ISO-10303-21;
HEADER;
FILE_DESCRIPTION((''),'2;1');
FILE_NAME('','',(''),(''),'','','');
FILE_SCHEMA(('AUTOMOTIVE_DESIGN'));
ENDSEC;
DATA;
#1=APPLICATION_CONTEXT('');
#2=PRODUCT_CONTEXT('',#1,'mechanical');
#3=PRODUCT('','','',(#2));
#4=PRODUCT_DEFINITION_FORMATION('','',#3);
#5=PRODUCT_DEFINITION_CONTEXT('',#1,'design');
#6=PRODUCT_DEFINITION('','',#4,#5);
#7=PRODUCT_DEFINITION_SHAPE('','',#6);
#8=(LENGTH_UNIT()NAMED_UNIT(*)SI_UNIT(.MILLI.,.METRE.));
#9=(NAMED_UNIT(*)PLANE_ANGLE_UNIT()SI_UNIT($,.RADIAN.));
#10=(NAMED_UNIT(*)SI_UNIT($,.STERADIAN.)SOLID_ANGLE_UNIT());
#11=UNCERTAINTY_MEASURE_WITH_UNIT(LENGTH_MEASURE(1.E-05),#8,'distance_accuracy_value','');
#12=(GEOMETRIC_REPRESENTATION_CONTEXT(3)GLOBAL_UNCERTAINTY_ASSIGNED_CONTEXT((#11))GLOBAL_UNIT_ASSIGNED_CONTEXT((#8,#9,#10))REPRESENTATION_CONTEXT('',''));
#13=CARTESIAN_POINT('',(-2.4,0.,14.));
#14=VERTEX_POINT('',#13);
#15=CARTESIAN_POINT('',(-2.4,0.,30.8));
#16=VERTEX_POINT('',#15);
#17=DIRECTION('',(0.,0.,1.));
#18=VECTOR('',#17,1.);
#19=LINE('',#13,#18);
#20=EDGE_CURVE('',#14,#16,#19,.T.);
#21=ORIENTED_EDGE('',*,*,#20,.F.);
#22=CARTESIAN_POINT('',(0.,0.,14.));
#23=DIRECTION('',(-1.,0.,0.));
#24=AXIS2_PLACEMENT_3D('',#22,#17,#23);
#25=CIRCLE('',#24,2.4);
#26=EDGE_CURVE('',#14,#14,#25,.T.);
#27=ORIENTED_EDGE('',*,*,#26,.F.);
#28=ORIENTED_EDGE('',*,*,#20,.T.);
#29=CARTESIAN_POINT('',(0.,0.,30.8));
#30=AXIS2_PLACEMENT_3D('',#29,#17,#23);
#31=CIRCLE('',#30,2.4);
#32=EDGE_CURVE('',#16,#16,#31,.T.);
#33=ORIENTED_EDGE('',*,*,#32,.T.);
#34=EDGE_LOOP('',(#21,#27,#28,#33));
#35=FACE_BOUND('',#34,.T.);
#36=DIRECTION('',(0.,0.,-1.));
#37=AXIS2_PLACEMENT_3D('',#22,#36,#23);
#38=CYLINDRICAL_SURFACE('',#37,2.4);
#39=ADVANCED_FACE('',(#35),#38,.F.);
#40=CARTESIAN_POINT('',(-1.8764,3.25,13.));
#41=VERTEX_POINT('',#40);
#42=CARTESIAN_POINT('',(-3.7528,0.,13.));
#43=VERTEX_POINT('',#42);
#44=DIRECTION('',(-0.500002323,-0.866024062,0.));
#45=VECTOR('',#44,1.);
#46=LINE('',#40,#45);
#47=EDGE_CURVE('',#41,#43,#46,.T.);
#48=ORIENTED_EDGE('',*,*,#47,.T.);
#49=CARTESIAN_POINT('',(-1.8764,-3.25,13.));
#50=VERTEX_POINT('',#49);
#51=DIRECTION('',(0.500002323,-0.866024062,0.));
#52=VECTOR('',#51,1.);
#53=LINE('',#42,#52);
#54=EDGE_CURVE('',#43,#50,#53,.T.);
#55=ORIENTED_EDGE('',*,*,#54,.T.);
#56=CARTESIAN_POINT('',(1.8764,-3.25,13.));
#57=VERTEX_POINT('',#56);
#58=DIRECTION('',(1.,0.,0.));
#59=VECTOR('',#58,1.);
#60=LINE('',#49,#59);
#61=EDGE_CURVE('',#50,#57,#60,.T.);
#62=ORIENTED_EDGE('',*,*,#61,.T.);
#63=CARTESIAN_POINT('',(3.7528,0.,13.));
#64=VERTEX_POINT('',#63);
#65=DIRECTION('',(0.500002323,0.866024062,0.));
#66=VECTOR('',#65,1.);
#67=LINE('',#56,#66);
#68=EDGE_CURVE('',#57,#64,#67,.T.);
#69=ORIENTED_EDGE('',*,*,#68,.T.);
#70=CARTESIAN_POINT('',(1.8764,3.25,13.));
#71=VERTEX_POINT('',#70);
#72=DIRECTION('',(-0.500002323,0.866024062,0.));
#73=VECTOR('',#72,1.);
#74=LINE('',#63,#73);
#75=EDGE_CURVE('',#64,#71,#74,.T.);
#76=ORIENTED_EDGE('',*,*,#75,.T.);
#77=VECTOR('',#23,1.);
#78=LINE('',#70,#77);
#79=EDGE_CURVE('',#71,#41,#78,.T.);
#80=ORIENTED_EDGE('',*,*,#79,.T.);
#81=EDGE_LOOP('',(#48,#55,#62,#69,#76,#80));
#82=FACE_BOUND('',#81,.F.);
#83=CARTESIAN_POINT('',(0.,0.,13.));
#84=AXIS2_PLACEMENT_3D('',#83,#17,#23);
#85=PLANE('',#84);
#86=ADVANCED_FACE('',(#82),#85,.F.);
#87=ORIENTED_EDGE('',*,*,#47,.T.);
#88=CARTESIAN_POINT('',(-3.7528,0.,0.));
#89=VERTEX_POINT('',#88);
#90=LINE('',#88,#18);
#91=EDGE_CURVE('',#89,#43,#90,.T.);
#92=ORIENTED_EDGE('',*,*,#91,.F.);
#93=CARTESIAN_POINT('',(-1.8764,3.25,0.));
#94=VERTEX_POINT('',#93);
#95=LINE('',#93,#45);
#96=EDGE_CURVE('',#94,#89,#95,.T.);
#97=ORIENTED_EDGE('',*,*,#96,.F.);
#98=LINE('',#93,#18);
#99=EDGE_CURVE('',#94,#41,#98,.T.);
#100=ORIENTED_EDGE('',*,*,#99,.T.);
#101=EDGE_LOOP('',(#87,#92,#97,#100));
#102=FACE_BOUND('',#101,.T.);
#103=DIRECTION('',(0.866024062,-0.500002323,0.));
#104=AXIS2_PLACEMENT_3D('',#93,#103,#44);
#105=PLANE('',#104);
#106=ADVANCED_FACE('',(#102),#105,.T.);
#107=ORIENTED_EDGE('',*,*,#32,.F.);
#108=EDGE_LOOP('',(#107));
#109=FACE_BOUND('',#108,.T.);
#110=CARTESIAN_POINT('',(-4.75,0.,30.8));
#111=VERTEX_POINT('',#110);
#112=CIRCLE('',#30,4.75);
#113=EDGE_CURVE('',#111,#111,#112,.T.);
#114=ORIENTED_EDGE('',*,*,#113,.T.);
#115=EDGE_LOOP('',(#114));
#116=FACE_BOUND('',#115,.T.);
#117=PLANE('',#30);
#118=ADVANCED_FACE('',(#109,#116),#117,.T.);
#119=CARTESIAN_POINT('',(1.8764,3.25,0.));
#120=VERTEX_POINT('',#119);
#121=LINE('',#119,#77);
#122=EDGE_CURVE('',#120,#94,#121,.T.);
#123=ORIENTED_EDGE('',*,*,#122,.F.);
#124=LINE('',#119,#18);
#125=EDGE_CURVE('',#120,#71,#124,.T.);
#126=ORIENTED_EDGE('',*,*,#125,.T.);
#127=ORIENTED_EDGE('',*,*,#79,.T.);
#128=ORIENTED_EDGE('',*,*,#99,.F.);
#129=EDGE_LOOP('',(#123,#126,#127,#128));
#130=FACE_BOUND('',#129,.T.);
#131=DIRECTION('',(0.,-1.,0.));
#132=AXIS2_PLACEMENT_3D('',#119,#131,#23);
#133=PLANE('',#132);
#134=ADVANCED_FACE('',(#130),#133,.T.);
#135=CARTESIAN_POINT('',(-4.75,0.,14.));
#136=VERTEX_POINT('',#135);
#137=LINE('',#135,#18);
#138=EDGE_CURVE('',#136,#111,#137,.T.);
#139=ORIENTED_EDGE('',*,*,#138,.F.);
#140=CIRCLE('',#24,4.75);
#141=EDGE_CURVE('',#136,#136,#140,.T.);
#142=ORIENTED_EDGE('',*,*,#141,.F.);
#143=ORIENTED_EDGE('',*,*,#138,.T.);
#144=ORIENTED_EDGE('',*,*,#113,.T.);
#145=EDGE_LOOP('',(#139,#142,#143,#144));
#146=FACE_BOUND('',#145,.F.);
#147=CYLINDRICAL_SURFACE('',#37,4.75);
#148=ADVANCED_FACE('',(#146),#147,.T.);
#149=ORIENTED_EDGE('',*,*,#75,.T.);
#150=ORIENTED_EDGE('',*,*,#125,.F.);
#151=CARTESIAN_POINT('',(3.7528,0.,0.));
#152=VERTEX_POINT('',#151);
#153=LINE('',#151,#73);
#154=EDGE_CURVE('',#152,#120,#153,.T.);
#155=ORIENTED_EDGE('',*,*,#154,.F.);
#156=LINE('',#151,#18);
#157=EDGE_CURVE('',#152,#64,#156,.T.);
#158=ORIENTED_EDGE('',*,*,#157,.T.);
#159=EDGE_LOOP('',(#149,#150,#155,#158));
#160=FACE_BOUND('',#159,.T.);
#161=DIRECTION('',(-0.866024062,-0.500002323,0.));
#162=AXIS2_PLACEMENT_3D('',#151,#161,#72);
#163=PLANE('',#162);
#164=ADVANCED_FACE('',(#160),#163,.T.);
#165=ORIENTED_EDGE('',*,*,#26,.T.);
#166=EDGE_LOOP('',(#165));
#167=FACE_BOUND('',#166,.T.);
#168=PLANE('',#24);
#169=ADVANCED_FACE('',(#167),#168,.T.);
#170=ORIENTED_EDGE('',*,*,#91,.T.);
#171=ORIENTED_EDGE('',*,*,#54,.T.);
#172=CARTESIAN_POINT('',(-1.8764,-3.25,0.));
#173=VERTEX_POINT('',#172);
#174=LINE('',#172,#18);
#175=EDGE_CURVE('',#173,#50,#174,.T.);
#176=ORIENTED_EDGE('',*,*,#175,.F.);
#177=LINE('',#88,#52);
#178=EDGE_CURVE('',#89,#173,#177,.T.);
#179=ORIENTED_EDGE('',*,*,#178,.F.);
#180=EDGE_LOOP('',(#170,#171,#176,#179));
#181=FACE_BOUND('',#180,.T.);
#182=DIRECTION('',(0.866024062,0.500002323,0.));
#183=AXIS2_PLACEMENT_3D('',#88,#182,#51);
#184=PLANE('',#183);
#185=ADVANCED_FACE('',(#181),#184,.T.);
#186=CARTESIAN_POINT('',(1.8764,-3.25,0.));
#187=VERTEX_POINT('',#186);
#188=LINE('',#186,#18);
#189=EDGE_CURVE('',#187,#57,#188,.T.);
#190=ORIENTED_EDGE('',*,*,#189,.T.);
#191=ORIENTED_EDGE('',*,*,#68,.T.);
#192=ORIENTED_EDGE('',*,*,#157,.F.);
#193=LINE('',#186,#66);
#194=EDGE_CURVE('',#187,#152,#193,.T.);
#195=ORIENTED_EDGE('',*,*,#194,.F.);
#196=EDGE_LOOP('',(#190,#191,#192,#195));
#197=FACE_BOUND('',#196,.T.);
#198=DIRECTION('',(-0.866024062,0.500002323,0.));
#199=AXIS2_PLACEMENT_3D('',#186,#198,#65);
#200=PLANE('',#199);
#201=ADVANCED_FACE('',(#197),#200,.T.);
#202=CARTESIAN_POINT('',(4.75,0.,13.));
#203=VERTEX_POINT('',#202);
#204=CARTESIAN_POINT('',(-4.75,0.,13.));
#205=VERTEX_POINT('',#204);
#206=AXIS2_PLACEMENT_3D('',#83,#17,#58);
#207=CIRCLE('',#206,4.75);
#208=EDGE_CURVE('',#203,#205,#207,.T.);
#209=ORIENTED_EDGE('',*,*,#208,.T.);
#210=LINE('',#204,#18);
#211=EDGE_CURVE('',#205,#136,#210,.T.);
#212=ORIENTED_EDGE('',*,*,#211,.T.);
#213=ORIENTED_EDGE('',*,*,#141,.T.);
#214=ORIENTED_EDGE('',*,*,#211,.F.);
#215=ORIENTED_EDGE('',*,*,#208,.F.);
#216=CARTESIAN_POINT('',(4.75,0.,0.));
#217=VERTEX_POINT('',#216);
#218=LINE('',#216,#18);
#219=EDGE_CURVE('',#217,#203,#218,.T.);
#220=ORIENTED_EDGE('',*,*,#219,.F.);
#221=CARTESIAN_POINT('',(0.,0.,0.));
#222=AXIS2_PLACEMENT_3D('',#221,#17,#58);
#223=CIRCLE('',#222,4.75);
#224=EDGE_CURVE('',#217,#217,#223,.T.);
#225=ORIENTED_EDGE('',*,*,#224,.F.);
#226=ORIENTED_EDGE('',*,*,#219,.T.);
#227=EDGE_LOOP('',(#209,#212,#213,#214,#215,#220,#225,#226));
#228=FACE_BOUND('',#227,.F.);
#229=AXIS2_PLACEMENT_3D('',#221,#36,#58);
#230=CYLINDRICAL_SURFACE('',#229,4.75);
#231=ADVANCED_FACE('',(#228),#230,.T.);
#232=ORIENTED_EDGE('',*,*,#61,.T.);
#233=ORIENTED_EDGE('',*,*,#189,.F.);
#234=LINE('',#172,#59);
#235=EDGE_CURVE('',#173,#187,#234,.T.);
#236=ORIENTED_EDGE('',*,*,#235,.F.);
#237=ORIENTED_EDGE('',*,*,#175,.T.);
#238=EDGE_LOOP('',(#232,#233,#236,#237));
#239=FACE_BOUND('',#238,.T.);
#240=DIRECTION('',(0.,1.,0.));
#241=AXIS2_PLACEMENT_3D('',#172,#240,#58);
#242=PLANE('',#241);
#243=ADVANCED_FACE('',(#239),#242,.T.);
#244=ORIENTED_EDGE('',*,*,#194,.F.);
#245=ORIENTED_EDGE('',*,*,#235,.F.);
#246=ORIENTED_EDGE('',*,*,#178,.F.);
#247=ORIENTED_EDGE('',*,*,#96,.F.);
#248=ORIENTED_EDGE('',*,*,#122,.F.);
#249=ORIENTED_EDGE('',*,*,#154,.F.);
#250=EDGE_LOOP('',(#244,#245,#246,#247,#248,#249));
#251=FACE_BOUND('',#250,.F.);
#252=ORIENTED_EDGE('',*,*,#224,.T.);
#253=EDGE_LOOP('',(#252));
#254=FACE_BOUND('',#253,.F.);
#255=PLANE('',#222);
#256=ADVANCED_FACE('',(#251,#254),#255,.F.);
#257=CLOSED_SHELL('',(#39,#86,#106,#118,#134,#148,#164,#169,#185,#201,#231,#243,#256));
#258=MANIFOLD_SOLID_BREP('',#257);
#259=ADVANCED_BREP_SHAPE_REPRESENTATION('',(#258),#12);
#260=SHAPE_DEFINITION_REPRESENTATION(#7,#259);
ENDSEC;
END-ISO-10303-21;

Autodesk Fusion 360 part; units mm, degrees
sketch "Sketch1" plane through (0, 0, 0) normal (0, 0, 1) x (1, 0, 0)
  line L0 (1.8764, -3.25) -> (3.7528, 0)
  line L1 (3.7528, 0) -> (1.8764, 3.25)
  line L2 (1.8764, 3.25) -> (-1.8764, 3.25)
  line L3 (-1.8764, 3.25) -> (-3.7528, 0)
  line L4 (-3.7528, 0) -> (-1.8764, -3.25)
  line L5 (-1.8764, -3.25) -> (1.8764, -3.25)
  circle A0 centre (0, 0) radius 4.75
  dimension "d1" = 3.25
  dimension "d2" = 9.5
extrude "Extrude1" add sketch "Sketch1" along normal blind 13
sketch "Sketch2" plane through (0, 0, 13) normal (0, 0, 1) x (-1, 0, 0)
  line L0 (-1.8764, 3.25) -> (1.8764, 3.25)
  line L1 (1.8764, 3.25) -> (3.7528, 0)
  line L2 (3.7528, 0) -> (1.8764, -3.25)
  line L3 (1.8764, -3.25) -> (-1.8764, -3.25)
  line L4 (-1.8764, -3.25) -> (-3.7528, 0)
  line L5 (-3.7528, 0) -> (-1.8764, 3.25)
  circle A0 centre (0, 0) radius 4.75
extrude "Extrude2" add sketch "Sketch2" along normal blind 1 contours L0 L1 L2 L3 L4 L5 | A0
sketch "Sketch3" plane through (0, 0, 14) normal (0, 0, 1) x (-1, 0, 0)
  circle A0 centre (0, 0) radius 4.75
  circle A1 centre (0, 0) radius 2.4
  dimension "d7" = 4.8
extrude "Extrude3" add sketch "Sketch3" along normal blind 16.8
